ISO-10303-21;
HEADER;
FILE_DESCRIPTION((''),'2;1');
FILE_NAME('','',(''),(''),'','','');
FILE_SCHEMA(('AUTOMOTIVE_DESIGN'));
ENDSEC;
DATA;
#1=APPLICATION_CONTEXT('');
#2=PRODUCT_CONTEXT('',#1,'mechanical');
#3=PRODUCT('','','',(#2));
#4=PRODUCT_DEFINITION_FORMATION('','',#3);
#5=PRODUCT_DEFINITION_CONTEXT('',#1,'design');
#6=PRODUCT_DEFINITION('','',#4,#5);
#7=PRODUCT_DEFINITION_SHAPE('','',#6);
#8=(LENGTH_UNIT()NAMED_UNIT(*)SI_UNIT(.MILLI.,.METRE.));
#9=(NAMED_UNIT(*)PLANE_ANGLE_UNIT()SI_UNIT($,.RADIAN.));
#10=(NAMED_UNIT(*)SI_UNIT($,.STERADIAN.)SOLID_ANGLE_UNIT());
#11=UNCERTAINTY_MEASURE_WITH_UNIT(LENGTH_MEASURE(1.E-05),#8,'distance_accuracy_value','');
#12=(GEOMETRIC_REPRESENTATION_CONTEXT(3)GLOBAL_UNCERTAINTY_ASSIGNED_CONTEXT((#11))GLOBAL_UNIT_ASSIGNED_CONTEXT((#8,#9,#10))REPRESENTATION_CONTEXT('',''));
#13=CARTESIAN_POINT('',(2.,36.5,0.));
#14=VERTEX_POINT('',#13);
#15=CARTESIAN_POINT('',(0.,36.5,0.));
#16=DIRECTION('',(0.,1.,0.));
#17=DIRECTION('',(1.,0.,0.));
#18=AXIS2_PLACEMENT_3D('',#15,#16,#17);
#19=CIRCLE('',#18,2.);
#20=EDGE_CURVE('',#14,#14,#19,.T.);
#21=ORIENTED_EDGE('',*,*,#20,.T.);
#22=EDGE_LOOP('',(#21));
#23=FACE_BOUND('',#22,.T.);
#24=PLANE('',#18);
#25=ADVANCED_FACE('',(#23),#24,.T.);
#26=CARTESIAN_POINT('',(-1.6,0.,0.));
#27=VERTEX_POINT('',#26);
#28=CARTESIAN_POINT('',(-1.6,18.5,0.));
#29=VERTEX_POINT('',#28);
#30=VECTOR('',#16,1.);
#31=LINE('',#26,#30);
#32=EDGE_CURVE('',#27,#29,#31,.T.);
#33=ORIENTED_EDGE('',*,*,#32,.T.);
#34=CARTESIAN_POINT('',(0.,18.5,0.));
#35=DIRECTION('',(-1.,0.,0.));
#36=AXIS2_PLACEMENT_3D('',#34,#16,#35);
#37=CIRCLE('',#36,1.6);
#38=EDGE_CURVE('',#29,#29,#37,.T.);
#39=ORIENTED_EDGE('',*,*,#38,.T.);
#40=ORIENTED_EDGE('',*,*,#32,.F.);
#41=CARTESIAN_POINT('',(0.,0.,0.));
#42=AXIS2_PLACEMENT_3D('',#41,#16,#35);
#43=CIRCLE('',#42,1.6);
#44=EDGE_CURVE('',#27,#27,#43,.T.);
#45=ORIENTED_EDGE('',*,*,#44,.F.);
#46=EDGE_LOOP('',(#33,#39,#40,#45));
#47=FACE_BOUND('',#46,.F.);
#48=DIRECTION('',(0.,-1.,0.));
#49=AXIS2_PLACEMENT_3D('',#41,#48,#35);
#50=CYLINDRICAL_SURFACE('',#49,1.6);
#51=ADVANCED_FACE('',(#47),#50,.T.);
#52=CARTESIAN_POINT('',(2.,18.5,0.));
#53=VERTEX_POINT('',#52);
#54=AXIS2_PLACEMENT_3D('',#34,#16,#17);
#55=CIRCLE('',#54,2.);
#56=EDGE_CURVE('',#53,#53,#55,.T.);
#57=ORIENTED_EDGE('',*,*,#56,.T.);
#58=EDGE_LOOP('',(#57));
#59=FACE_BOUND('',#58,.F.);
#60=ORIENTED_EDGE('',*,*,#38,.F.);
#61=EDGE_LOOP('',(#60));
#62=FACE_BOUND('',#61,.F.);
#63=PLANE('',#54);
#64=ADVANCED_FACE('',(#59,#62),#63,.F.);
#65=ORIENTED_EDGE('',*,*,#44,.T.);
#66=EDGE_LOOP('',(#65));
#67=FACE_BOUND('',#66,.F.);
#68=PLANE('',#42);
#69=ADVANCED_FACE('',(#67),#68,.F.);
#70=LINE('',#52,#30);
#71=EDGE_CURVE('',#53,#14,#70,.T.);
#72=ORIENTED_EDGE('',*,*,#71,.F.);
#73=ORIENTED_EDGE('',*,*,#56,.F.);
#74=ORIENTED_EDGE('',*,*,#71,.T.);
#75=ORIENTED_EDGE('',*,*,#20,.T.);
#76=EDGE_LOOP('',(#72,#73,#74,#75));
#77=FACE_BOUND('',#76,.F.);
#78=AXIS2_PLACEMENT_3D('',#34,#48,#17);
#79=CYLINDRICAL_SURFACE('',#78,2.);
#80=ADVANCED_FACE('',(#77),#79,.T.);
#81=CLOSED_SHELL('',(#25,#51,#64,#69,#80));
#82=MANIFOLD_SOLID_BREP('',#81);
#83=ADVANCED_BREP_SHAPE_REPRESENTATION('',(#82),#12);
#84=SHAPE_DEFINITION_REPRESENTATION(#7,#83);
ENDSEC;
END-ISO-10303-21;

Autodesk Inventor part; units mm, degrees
ref_plane "YZ Plane" through (0, 0, 0) normal (1, 0, 0) x (0, 1, 0)
ref_plane "XZ Plane" through (0, 0, 0) normal (0, 1, 0) x (-1, 0, 0)
ref_plane "XY Plane" through (0, 0, 0) normal (0, 0, 1) x (1, 0, 0)
sketch "Sketch1" plane through (0, 0, 0) normal (0, 1, 0) x (-1, 0, 0)
  circle A0 centre (0, 0) radius 1.6
  dimension "d0" = 3.2
extrude "Extrusion1" add sketch "Sketch1" along normal blind 18.5
sketch "Sketch2" plane through (0, 18.5, 0) normal (0, 1, 0) x (1, 0, 0)
  circle A0 centre (0, 0) radius 2
  dimension "d3" = 4
extrude "Extrusion2" add sketch "Sketch2" along normal blind 18
properties part number "SMC Nipple 1-8to5-32 KQ2N01-03"
